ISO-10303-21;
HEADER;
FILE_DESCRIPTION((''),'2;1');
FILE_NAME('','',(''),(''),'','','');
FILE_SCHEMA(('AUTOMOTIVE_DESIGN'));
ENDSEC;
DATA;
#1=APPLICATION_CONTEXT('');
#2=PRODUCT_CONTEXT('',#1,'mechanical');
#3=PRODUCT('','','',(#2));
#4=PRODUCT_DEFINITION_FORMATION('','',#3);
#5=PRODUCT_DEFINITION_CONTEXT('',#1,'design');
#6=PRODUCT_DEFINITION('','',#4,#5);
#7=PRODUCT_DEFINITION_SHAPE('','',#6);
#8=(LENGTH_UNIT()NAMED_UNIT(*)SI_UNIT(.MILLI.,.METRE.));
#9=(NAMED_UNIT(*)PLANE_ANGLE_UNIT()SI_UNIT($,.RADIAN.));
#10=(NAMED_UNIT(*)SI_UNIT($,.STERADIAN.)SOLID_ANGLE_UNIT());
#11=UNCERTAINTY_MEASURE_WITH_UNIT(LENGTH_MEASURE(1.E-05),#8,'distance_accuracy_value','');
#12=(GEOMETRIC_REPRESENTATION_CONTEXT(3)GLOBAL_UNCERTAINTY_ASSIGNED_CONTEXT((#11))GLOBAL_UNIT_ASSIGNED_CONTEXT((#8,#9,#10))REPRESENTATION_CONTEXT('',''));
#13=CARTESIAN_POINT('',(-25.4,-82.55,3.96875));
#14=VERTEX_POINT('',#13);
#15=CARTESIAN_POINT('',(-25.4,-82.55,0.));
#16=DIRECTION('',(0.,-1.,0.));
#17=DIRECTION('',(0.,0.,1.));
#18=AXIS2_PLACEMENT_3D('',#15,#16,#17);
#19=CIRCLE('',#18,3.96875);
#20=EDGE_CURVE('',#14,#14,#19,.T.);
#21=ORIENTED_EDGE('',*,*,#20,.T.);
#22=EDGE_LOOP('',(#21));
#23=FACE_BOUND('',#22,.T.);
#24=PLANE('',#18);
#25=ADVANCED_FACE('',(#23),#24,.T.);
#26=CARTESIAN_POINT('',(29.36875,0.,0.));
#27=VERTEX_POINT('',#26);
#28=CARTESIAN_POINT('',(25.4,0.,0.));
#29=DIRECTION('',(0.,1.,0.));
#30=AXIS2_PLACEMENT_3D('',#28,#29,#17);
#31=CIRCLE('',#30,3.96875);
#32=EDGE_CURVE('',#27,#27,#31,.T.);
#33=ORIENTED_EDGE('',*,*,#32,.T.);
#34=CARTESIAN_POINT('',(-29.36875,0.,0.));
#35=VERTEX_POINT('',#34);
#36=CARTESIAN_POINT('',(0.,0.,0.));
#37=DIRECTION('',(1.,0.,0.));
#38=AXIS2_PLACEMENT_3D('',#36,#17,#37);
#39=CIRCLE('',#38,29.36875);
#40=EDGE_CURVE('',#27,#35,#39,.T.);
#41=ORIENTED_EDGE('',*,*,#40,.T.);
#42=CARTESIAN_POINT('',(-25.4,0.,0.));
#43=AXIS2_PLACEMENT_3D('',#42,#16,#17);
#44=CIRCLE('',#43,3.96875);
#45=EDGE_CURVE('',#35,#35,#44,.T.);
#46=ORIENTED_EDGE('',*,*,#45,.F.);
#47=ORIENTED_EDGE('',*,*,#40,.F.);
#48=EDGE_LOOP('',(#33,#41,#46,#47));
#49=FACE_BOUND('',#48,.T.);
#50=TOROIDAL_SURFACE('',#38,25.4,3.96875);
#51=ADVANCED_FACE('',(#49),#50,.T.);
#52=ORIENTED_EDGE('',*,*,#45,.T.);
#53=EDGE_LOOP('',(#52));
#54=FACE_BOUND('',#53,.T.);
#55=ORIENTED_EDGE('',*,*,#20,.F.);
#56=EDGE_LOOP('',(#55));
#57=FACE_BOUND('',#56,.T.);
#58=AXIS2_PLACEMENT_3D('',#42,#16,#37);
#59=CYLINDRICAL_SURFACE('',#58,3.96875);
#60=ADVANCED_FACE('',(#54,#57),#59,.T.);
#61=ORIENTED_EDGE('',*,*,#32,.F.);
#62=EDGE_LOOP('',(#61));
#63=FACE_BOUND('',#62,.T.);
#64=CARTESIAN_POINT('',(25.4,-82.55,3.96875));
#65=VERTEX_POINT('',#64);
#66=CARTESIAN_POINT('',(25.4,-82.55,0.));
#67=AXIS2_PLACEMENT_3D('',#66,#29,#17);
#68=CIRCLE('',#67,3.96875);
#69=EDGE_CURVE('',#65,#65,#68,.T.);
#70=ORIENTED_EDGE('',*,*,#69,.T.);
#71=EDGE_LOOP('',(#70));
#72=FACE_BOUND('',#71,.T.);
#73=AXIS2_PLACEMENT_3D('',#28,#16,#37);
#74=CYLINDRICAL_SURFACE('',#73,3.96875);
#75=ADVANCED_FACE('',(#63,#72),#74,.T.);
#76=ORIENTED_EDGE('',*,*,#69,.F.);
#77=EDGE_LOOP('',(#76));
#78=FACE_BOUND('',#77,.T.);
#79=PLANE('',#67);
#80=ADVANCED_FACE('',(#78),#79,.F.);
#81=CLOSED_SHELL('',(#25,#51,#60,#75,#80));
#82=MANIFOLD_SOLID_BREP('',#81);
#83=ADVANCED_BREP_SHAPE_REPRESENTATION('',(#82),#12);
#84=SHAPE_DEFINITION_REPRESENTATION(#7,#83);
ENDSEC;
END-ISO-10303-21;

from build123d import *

# Parameters (mm, degrees)
ESQUISSE4_R = 3.96875


with BuildPart() as part:
    # Balayage1: sweep along a path in Esquisse1
    with BuildLine(Plane.XY) as balayage1_path:
        Line((-25.4, -82.55), (-25.4, 0))
        ThreePointArc((-25.4, 0), (0, 25.4), (25.4, 0))
        Line((25.4, 0), (25.4, -82.55))
    # Esquisse4 → Balayage1 (sweep)
    with BuildSketch(Plane(origin=(0, -82.55, 0), x_dir=(-1, 0, 0), z_dir=(0, 1, 0))):
        with Locations((-25.4, 0)):
            Circle(ESQUISSE4_R)
    sweep(path=balayage1_path.line)


solid = part.part
